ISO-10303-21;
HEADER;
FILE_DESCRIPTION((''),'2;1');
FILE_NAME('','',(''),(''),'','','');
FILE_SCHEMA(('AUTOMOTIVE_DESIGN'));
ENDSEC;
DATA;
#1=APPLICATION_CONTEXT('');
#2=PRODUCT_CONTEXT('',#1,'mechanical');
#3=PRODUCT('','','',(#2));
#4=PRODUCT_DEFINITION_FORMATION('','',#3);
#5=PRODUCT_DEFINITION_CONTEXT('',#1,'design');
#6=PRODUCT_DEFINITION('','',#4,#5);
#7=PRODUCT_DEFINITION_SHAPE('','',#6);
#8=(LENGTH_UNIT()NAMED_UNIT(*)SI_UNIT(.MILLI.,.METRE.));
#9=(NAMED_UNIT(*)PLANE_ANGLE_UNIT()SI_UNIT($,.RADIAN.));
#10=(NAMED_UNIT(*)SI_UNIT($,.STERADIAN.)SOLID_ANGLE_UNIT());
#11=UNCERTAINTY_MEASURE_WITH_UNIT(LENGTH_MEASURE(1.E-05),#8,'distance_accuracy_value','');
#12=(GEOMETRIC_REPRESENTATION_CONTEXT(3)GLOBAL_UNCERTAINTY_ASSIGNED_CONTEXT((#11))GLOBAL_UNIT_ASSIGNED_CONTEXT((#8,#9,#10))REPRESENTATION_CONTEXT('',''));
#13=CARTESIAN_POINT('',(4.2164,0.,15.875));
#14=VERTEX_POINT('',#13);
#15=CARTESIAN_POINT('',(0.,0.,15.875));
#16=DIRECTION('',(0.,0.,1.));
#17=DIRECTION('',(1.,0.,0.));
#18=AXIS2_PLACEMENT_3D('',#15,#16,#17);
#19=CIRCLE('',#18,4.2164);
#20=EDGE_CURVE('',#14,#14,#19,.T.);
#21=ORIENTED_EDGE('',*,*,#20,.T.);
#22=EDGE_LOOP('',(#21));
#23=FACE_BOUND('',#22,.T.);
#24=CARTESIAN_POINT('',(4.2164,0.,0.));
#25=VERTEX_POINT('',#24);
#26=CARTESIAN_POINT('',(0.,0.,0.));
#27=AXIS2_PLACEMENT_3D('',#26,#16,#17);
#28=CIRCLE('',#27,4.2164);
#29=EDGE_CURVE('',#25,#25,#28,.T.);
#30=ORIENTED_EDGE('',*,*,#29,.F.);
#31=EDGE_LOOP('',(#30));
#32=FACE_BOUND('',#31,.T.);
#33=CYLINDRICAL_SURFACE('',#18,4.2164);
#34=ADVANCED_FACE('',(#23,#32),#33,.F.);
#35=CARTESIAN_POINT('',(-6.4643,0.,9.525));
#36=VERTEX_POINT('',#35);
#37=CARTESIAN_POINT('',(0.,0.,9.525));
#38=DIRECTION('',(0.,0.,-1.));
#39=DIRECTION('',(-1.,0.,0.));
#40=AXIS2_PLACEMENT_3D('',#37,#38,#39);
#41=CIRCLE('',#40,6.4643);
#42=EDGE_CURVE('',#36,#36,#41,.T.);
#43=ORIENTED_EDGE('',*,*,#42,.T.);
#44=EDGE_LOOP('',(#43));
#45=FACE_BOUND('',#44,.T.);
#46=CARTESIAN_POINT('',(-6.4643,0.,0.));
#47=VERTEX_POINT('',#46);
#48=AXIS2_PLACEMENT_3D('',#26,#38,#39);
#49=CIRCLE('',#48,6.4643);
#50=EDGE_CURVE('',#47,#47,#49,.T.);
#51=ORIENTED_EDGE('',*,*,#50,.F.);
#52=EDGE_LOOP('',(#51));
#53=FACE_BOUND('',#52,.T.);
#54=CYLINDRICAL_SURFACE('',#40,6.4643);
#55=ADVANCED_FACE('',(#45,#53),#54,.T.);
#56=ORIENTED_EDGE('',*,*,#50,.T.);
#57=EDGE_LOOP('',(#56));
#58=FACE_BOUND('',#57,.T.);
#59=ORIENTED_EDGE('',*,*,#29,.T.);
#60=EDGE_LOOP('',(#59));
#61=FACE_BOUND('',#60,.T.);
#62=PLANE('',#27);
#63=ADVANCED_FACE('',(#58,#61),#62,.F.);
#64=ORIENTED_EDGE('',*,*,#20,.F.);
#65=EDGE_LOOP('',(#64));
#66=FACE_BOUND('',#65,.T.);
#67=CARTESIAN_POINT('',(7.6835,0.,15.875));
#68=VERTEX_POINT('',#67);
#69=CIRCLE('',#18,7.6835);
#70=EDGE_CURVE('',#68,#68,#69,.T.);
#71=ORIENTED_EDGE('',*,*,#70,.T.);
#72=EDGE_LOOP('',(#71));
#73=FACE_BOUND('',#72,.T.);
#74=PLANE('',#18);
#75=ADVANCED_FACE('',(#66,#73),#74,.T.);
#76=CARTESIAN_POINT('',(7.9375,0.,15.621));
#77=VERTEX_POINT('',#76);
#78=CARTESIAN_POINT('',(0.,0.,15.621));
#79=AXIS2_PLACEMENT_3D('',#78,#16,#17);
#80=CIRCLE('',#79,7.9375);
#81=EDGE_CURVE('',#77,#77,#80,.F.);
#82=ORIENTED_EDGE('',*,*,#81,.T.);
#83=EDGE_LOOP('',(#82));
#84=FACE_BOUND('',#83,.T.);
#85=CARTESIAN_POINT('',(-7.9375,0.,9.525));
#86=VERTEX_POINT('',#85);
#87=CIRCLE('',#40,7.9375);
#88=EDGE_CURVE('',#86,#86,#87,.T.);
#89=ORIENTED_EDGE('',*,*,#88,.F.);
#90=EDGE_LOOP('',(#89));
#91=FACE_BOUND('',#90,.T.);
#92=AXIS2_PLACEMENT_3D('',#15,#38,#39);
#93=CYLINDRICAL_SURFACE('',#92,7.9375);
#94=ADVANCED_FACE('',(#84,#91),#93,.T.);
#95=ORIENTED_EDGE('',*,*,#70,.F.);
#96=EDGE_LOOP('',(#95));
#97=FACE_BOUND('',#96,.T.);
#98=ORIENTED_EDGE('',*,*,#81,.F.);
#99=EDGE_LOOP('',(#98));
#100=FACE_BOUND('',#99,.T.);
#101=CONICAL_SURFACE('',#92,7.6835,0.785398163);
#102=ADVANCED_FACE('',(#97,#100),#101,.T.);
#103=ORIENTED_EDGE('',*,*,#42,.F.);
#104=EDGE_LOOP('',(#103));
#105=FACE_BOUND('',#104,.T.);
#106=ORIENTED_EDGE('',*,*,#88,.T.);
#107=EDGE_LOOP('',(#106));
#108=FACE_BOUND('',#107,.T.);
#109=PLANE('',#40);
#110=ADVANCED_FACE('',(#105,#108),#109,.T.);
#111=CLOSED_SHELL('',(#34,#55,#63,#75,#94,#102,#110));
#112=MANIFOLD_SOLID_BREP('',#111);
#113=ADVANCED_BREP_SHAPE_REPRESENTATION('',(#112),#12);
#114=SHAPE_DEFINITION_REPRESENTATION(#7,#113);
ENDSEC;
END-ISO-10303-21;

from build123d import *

# Parameters (mm, degrees)
SKETCH1_R                   = 7.9375
BOSS_EXTRUDE1_DEPTH         = 15.875
CHAMFER1_SIZE               = 0.254
SKETCH2_OUTSIDE_W           = 23.376
SKETCH2_OUTSIDE_H           = 23.376
SKETCH2_OUTSIDE_R           = 6.4643
CUT_EXTRUDE1_DEPTH          = 9.525
TAP_DRILL_FOR_3_8_24_TAP1_D = 8.4328


with BuildPart() as part:
    # Sketch1 → Boss-Extrude1 (new body)
    with BuildSketch(Plane.XY):
        Circle(SKETCH1_R)
    extrude(amount=BOSS_EXTRUDE1_DEPTH)

    # Chamfer1
    chamfer1_edges = [part.edges().sort_by_distance(p)[0] for p in [
        (-7.9375, 0, 15.875),
    ]]
    chamfer(chamfer1_edges, length=CHAMFER1_SIZE)

    # Sketch2 outside → Cut-Extrude1 (cut)
    with BuildSketch(Plane(origin=(0, 0, 0), x_dir=(-1, 0, 0), z_dir=(0, 0, -1))):
        Rectangle(SKETCH2_OUTSIDE_W, SKETCH2_OUTSIDE_H)
        Circle(SKETCH2_OUTSIDE_R, mode=Mode.SUBTRACT)
    extrude(amount=-CUT_EXTRUDE1_DEPTH, mode=Mode.SUBTRACT)

    # Tap Drill for 3/8-24 Tap1 (through all)
    with Locations(Plane.XY.offset(15.875)):
        with Locations((0, 0)):
            Hole(TAP_DRILL_FOR_3_8_24_TAP1_D / 2)


solid = part.part
